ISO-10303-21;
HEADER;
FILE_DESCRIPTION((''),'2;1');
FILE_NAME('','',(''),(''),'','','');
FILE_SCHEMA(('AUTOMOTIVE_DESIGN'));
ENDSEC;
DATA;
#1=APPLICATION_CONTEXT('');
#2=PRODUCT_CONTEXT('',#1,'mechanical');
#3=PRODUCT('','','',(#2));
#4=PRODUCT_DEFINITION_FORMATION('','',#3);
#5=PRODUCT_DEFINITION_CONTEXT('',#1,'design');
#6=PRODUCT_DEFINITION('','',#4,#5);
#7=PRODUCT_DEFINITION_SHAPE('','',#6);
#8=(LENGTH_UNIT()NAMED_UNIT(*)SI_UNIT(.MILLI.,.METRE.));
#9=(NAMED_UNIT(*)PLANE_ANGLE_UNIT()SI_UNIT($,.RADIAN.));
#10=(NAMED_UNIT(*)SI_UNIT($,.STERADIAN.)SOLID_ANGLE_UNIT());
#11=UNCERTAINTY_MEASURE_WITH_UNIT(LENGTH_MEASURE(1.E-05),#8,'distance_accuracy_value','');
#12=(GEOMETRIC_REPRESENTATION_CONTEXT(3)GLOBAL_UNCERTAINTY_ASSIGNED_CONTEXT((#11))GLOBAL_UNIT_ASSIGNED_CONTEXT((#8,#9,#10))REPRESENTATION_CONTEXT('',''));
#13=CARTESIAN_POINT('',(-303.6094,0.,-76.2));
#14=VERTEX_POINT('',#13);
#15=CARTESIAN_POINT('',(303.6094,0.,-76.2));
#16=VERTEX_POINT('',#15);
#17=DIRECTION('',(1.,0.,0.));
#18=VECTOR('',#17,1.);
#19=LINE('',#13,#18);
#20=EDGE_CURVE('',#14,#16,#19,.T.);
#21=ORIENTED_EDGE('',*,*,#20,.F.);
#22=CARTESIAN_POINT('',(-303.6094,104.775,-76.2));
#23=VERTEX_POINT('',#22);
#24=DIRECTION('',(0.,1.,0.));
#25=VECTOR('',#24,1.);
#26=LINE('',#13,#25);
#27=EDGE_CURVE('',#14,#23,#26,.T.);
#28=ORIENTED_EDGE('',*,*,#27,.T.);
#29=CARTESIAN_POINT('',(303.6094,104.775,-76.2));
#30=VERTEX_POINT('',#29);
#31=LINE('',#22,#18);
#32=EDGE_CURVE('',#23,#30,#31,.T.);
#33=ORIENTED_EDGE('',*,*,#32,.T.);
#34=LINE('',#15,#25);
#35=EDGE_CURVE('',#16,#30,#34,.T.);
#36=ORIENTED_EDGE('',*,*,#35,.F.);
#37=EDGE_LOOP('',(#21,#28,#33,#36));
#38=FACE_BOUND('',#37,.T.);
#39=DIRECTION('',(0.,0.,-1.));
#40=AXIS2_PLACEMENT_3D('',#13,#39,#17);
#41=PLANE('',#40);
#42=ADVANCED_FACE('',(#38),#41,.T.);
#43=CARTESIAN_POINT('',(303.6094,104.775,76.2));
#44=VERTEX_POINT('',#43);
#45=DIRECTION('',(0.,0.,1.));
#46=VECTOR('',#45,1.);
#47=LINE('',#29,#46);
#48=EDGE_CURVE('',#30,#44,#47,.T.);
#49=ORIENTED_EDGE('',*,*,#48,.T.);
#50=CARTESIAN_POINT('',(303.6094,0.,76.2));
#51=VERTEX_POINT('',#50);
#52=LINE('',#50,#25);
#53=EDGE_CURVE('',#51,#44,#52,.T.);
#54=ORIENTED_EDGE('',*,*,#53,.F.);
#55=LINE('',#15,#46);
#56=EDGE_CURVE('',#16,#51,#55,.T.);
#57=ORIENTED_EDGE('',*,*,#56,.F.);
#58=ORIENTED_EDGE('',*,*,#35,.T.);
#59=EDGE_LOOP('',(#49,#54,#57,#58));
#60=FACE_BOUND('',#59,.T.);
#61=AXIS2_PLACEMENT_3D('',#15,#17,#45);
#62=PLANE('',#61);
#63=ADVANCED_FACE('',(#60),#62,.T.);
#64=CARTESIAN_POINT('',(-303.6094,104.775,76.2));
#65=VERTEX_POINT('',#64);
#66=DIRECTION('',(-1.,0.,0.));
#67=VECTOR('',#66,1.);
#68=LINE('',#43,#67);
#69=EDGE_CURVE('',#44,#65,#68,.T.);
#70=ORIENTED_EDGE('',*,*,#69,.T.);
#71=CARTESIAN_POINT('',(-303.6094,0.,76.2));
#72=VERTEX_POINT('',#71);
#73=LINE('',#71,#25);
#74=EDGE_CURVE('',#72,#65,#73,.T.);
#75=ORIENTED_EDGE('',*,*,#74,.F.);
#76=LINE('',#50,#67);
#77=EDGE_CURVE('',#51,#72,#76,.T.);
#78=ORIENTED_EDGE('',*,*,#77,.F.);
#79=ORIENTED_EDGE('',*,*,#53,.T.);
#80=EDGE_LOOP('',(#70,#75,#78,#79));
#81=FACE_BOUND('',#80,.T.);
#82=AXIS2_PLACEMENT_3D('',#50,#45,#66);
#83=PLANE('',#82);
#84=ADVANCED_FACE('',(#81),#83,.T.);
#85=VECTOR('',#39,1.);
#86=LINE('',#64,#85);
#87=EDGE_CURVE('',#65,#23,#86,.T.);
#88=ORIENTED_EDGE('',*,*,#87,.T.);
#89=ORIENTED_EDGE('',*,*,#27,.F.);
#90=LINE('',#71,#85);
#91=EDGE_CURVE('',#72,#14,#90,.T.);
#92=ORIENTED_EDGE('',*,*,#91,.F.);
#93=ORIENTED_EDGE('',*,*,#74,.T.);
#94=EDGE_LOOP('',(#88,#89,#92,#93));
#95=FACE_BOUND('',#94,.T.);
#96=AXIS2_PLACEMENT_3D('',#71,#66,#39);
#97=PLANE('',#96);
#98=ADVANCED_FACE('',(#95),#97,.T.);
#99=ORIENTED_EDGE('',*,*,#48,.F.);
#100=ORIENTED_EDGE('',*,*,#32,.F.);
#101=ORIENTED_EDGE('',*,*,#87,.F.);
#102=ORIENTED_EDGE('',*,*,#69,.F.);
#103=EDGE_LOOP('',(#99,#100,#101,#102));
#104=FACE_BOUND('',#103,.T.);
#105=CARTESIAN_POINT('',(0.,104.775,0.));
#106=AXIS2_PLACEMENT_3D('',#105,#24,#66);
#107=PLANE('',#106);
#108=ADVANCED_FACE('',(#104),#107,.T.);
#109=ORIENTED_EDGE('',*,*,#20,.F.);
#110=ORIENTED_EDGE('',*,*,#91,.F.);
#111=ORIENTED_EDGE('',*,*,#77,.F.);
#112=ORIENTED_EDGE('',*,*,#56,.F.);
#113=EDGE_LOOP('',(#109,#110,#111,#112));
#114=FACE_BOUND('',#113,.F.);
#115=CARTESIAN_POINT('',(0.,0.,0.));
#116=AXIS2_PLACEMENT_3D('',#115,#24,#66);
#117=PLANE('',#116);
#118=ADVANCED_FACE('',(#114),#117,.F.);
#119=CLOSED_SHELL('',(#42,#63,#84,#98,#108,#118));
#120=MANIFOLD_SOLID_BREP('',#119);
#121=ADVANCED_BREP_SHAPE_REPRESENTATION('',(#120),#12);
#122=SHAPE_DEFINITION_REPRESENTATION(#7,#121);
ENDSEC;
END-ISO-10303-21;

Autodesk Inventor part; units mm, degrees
ref_plane "YZ Plane" through (0, 0, 0) normal (1, 0, 0) x (0, 1, 0)
ref_plane "XZ Plane" through (0, 0, 0) normal (0, 1, 0) x (-1, 0, 0)
ref_plane "XY Plane" through (0, 0, 0) normal (0, 0, 1) x (1, 0, 0)
sketch "Sketch1" plane through (0, 0, 0) normal (0, 1, 0) x (-1, 0, 0)
  line L0 (303.6094, -76.2) -> (-303.6094, -76.2)
  line L1 (-303.6094, -76.2) -> (-303.6094, 76.2)
  line L2 (-303.6094, 76.2) -> (303.6094, 76.2)
  line L3 (303.6094, 76.2) -> (303.6094, -76.2)
  line L4 (303.6094, -76.2) -> (-303.6094, 76.2) construction
  line L5 (-303.6094, -76.2) -> (303.6094, 76.2) construction
  point P0 (0, 0)
  dimension "d0" = 607.2188
  dimension "d1" = 152.4
extrude "Extrusion1" add sketch "Sketch1" along normal blind 104.775
properties part number "Paver type 2-vehicular" material "Limestone"
